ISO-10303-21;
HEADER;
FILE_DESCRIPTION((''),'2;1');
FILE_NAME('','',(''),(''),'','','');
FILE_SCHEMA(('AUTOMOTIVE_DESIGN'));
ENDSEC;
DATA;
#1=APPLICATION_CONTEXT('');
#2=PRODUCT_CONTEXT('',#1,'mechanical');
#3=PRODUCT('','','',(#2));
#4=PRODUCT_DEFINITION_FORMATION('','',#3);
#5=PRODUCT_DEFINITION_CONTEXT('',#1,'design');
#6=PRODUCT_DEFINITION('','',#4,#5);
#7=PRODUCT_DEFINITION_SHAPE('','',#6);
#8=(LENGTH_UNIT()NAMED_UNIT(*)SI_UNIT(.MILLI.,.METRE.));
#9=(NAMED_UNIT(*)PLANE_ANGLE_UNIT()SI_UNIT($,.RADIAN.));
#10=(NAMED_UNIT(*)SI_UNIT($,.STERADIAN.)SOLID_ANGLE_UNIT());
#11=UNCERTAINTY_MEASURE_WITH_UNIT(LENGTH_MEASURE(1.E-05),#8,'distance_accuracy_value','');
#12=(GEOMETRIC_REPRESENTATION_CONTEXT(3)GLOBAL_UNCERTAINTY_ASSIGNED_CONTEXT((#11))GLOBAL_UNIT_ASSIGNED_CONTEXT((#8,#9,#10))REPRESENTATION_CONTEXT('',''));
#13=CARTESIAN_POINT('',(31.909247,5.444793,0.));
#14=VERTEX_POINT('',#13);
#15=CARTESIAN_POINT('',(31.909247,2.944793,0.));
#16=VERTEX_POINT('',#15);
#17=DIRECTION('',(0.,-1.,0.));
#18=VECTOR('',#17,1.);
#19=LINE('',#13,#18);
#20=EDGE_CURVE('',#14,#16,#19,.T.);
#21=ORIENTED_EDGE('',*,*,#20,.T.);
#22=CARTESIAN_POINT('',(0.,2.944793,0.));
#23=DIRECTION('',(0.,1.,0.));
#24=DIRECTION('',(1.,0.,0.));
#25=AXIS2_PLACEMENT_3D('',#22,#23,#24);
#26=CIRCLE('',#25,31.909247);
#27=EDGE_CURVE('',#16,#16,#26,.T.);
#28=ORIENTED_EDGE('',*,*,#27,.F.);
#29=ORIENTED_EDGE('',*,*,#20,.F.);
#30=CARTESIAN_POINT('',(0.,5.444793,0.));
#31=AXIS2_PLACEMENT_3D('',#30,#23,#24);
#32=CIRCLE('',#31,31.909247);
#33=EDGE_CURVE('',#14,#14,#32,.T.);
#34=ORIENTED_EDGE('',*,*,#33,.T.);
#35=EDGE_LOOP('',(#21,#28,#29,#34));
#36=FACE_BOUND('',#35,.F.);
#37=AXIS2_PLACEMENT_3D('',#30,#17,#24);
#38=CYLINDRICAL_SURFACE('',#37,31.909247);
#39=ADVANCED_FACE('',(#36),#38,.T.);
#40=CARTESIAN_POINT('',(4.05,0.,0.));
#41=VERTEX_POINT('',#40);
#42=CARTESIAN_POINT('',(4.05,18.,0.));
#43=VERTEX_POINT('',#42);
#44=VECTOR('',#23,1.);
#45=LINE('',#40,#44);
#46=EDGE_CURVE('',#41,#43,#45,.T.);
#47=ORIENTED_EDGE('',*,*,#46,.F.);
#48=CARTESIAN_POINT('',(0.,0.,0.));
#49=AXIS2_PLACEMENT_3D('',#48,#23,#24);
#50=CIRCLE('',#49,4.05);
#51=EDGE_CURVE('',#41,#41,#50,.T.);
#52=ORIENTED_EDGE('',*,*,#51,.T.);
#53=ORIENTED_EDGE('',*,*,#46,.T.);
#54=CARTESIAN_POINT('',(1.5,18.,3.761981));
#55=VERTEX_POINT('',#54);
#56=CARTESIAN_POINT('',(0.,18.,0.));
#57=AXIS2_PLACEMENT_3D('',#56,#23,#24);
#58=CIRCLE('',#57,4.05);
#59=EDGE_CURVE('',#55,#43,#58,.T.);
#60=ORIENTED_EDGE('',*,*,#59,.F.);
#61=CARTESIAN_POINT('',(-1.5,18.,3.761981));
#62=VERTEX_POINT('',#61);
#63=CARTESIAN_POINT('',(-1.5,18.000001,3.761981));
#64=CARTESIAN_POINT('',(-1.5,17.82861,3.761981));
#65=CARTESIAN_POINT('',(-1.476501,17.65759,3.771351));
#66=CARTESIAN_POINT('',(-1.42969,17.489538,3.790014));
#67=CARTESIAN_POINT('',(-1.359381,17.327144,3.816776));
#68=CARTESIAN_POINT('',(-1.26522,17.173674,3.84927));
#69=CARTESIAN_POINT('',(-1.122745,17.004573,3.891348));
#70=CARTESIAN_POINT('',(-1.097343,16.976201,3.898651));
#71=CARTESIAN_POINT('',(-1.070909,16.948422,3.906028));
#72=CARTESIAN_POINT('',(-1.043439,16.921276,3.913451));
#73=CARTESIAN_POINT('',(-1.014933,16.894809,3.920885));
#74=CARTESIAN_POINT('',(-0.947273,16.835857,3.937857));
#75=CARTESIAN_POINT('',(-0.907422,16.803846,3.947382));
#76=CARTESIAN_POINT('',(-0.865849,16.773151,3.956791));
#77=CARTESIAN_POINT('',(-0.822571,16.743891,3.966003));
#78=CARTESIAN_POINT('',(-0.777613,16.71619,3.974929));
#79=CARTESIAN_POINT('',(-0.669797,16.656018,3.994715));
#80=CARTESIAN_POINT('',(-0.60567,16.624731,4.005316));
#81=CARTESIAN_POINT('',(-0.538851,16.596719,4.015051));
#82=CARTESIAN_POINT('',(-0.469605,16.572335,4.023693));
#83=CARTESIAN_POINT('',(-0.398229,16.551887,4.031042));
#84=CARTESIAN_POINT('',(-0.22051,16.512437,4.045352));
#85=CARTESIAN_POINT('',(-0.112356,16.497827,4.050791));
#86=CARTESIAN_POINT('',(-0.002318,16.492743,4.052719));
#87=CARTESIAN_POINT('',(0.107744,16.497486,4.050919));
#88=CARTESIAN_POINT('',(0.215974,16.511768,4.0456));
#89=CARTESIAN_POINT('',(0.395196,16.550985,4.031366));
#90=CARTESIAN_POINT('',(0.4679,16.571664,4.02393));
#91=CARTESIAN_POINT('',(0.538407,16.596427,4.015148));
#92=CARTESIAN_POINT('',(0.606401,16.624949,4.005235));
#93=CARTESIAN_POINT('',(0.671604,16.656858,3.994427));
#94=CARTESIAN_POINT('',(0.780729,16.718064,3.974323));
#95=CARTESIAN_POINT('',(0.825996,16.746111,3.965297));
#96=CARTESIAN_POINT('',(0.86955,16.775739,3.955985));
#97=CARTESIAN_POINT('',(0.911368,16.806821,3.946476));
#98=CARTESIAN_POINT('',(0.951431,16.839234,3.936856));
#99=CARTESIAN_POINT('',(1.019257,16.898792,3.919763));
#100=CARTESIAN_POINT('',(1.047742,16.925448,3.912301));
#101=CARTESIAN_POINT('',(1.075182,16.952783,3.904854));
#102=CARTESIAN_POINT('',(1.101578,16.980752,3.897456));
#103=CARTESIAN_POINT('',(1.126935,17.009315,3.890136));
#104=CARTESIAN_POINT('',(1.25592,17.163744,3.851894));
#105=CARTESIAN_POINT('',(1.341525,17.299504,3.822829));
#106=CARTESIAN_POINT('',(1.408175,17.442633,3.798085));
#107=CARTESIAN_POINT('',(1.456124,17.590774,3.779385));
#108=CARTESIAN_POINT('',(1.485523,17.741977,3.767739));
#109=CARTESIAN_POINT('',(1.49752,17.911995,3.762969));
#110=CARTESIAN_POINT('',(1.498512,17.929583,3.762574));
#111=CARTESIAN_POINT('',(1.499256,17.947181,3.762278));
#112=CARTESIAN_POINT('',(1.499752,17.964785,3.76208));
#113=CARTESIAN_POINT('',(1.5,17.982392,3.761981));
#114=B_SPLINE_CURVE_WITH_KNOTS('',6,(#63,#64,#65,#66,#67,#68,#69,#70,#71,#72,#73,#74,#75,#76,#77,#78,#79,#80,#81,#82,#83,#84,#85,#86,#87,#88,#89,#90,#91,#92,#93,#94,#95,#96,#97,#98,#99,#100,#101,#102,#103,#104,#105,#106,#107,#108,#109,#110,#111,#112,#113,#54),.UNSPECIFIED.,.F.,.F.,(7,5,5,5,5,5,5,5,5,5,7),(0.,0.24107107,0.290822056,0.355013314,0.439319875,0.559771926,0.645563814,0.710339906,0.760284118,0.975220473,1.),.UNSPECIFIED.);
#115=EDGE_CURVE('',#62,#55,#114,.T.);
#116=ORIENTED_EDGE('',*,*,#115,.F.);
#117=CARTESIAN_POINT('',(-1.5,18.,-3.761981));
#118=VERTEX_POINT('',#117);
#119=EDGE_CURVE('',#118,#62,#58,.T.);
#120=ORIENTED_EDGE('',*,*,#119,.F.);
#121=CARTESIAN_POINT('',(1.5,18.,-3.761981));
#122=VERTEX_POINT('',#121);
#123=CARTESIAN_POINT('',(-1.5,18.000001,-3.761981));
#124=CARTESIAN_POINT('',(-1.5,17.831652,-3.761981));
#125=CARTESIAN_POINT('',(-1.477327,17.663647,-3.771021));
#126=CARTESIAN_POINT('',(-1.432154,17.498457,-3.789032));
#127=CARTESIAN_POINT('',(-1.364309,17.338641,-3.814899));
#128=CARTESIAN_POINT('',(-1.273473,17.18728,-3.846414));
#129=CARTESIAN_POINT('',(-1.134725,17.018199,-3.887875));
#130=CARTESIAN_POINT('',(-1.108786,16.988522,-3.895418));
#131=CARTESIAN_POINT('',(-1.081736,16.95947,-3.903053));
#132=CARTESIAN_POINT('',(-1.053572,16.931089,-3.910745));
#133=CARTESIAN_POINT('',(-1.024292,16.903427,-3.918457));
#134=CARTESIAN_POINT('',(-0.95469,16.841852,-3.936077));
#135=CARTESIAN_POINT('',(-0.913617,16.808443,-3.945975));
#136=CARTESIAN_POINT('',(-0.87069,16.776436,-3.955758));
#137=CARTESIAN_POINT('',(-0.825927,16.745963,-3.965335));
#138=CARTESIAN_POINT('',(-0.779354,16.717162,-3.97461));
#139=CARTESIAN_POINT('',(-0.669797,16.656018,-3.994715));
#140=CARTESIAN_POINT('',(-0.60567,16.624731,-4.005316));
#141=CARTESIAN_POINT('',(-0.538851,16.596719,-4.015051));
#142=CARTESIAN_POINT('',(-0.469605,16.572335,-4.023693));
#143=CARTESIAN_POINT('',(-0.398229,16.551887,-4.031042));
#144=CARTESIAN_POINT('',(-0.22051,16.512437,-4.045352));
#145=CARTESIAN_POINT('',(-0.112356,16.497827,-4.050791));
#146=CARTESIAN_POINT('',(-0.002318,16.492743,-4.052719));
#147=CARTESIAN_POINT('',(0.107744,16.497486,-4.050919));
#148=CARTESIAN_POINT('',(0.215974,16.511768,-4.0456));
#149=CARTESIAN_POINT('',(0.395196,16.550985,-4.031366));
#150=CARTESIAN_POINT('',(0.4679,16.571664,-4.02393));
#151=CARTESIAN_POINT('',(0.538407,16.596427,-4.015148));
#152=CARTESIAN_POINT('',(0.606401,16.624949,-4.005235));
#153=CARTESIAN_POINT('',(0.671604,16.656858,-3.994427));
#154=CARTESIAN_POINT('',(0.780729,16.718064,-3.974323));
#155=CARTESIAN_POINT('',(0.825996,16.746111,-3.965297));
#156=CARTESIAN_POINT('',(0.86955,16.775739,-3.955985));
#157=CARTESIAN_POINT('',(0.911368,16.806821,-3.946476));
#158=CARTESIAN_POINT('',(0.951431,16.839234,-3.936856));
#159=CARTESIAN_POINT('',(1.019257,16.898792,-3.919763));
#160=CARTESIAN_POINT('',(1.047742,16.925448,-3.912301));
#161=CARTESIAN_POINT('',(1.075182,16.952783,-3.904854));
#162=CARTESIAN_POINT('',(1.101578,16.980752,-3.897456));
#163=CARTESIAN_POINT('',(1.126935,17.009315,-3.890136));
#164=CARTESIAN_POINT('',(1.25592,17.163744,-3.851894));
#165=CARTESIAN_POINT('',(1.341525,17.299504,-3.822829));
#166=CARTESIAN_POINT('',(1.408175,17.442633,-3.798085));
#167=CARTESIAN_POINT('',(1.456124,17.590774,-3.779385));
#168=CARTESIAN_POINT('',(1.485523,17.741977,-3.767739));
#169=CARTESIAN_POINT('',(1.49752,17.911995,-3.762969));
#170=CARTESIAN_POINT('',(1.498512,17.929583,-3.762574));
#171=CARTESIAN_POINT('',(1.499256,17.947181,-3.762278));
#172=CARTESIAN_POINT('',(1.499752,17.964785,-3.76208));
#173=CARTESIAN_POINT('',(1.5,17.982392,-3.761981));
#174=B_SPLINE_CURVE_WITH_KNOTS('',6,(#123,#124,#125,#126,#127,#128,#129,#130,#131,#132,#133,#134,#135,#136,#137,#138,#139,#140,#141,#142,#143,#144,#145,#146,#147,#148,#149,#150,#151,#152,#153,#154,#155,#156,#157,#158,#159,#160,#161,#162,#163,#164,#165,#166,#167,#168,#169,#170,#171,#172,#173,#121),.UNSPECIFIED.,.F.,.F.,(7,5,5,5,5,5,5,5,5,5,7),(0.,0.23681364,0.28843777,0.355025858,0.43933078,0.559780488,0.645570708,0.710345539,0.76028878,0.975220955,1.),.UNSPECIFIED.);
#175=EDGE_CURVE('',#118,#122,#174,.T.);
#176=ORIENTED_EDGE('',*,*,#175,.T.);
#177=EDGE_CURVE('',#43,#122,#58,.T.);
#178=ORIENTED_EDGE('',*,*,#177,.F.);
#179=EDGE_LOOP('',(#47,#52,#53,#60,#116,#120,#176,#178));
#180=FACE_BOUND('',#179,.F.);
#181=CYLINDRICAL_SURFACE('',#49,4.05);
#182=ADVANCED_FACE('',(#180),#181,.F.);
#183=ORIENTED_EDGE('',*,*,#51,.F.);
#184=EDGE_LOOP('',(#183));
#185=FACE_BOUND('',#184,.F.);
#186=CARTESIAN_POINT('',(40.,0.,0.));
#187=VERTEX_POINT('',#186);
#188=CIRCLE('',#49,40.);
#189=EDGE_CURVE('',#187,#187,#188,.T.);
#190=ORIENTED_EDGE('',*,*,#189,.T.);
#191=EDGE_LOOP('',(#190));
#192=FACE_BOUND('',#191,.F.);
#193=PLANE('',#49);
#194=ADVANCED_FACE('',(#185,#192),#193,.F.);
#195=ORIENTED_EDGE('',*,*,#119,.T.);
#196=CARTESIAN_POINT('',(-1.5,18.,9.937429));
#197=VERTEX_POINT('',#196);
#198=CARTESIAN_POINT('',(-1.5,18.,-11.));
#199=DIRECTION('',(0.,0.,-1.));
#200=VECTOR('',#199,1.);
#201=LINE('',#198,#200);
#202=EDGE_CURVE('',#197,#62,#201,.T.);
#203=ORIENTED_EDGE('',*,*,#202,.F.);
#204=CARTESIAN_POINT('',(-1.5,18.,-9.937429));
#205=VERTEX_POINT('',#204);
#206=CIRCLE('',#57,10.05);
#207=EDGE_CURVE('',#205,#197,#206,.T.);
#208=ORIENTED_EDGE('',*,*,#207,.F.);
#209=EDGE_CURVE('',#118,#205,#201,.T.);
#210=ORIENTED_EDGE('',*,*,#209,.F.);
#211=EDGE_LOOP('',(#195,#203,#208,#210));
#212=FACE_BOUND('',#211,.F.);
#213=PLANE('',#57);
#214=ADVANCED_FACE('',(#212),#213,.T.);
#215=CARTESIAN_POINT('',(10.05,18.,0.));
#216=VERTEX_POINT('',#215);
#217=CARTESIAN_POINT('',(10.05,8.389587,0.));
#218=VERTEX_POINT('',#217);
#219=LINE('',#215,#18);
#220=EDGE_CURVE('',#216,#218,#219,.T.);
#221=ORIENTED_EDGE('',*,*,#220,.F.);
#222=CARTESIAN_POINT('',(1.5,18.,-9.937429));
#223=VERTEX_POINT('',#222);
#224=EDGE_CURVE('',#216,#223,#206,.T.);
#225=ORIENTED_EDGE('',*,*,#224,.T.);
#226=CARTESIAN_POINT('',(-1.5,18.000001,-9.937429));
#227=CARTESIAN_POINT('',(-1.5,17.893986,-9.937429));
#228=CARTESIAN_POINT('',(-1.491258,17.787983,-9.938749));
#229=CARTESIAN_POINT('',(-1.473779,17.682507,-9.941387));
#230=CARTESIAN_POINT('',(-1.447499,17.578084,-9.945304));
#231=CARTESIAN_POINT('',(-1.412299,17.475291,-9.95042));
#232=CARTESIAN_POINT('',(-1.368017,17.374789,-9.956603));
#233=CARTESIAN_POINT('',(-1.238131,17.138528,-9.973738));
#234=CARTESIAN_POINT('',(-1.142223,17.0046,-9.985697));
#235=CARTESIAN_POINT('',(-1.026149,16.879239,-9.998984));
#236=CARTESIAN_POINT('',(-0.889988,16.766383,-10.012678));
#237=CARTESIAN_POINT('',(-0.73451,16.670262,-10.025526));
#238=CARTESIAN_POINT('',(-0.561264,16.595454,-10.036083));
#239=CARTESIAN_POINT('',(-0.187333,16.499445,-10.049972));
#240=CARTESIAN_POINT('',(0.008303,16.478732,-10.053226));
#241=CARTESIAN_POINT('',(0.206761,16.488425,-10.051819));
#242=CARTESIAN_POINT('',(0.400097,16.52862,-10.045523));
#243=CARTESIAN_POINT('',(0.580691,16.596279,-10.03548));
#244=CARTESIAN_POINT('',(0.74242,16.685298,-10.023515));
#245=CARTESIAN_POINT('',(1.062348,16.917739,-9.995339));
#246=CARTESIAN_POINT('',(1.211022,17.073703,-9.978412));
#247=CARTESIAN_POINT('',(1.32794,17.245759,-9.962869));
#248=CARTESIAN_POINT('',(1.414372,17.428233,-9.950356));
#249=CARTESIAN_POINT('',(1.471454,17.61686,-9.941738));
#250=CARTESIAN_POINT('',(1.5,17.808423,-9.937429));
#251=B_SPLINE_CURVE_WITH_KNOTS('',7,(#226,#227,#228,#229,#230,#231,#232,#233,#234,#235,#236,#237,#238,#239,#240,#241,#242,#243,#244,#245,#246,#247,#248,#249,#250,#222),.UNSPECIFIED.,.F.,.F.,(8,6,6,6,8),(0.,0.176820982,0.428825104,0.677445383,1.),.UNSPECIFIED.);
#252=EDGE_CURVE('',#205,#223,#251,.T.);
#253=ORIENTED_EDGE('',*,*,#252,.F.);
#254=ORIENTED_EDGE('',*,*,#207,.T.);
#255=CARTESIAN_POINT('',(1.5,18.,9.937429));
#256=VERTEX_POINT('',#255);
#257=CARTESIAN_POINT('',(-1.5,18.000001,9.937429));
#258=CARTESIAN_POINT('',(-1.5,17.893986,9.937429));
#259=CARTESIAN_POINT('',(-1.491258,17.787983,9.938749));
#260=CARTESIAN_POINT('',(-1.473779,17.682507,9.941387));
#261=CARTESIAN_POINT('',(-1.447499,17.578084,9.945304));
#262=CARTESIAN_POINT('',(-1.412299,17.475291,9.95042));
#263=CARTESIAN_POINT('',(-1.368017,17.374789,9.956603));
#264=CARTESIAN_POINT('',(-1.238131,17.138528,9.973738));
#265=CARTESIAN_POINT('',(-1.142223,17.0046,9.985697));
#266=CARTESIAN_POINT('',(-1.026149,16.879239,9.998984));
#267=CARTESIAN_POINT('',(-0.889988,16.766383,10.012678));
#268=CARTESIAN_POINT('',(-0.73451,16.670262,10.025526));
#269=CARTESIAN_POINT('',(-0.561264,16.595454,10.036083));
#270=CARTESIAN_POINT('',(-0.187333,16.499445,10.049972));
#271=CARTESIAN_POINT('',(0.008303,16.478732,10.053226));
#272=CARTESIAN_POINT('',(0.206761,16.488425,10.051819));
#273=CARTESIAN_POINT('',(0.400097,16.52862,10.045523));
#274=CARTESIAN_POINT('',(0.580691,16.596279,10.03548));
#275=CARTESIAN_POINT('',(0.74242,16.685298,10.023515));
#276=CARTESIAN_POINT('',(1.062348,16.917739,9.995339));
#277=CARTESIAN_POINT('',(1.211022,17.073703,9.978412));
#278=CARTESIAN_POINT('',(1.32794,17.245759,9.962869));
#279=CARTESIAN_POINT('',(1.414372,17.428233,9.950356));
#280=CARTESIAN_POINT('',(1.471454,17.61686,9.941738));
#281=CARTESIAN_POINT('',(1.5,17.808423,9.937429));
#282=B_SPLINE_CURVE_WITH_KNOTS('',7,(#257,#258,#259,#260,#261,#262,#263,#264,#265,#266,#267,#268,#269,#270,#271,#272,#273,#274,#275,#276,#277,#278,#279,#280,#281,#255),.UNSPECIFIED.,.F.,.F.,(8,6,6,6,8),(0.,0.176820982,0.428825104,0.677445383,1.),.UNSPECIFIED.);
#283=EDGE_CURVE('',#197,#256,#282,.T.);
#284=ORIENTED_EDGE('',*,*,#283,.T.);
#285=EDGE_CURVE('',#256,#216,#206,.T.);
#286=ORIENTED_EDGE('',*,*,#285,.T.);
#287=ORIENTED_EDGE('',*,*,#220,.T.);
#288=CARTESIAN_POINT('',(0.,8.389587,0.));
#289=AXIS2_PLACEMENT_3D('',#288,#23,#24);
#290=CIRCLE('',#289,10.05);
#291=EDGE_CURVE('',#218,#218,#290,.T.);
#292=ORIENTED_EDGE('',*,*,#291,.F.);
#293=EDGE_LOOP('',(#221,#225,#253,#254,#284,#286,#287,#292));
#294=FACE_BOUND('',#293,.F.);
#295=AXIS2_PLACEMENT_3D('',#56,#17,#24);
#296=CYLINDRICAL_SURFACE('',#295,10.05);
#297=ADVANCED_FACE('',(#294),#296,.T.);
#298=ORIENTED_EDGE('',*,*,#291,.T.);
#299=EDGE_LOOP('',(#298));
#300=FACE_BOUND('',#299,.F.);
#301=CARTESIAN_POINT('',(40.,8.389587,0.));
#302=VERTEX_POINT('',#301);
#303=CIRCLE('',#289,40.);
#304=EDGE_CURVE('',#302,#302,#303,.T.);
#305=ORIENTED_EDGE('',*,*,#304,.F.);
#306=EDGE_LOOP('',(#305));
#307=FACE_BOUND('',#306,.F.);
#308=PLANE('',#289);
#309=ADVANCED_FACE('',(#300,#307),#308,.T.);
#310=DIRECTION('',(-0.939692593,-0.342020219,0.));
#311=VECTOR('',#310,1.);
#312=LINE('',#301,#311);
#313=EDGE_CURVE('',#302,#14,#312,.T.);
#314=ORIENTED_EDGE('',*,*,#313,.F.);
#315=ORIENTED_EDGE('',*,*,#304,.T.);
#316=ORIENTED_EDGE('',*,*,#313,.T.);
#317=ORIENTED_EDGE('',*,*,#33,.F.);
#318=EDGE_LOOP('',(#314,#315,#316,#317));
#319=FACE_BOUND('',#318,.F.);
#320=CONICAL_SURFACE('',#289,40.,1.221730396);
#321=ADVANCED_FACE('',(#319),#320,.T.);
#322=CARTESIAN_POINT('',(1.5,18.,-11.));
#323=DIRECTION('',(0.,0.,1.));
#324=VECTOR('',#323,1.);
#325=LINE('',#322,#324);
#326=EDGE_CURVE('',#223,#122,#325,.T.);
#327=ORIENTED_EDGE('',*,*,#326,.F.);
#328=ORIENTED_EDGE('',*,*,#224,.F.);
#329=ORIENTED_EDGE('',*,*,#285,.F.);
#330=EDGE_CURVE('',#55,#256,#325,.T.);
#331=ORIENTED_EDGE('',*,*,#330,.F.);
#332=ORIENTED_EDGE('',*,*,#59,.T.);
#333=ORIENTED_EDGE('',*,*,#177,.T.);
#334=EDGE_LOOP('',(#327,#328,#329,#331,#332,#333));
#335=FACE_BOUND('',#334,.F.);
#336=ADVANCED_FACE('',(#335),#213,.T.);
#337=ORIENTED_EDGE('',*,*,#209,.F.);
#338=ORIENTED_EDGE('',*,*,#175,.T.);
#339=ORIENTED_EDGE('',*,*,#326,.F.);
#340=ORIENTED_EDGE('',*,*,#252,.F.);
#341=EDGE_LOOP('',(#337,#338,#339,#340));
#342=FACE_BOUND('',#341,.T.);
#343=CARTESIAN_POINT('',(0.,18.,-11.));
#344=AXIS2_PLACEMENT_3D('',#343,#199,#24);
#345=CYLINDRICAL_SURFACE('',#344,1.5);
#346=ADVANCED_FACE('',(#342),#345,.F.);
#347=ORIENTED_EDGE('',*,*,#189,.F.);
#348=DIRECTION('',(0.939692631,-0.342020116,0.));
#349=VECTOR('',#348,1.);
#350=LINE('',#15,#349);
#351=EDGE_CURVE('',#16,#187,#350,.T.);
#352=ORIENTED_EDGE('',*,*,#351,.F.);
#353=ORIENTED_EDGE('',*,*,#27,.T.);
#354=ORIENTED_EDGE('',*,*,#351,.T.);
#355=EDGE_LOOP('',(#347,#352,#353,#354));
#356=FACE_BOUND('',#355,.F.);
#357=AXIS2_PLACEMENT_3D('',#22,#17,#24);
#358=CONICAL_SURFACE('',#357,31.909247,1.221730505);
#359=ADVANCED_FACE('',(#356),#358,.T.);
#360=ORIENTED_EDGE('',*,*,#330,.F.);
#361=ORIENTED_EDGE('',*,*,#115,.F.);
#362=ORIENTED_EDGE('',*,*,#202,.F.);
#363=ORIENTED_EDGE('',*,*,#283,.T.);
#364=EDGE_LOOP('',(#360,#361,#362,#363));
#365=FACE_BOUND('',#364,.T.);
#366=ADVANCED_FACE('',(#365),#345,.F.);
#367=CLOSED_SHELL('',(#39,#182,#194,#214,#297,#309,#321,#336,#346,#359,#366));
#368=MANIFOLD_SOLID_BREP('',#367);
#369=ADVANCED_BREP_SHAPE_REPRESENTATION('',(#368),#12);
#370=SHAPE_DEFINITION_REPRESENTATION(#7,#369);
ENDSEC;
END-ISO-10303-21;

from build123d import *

# Parameters (mm, degrees)
CYLINDER_R     = 1.5
CYLINDER_DEPTH = 22


with BuildPart() as cylinder:
    # Cylinder → Cylinder (new body)
    with BuildSketch(Plane(origin=(0, 18, -11), x_dir=(1, 0, 0), z_dir=(0, 0, 1))):
        Circle(CYLINDER_R)
    extrude(amount=CYLINDER_DEPTH)


with BuildPart() as cut:
    # Sketch → Revolve (revolve)
    with BuildSketch(Plane.XY):
        Polygon((4.05, 0), (4.05, 18), (10.05, 18), (10.05, 8.389587), (40, 8.389587), (31.909247, 5.444793), (31.909247, 2.944793), (40, 0), align=None)
    revolve(axis=Axis((0, 0, 0), (0, 1, 0)))

    # Cut: cut Cylinder
    add(cylinder.part, mode=Mode.SUBTRACT)


solid = cut.part
